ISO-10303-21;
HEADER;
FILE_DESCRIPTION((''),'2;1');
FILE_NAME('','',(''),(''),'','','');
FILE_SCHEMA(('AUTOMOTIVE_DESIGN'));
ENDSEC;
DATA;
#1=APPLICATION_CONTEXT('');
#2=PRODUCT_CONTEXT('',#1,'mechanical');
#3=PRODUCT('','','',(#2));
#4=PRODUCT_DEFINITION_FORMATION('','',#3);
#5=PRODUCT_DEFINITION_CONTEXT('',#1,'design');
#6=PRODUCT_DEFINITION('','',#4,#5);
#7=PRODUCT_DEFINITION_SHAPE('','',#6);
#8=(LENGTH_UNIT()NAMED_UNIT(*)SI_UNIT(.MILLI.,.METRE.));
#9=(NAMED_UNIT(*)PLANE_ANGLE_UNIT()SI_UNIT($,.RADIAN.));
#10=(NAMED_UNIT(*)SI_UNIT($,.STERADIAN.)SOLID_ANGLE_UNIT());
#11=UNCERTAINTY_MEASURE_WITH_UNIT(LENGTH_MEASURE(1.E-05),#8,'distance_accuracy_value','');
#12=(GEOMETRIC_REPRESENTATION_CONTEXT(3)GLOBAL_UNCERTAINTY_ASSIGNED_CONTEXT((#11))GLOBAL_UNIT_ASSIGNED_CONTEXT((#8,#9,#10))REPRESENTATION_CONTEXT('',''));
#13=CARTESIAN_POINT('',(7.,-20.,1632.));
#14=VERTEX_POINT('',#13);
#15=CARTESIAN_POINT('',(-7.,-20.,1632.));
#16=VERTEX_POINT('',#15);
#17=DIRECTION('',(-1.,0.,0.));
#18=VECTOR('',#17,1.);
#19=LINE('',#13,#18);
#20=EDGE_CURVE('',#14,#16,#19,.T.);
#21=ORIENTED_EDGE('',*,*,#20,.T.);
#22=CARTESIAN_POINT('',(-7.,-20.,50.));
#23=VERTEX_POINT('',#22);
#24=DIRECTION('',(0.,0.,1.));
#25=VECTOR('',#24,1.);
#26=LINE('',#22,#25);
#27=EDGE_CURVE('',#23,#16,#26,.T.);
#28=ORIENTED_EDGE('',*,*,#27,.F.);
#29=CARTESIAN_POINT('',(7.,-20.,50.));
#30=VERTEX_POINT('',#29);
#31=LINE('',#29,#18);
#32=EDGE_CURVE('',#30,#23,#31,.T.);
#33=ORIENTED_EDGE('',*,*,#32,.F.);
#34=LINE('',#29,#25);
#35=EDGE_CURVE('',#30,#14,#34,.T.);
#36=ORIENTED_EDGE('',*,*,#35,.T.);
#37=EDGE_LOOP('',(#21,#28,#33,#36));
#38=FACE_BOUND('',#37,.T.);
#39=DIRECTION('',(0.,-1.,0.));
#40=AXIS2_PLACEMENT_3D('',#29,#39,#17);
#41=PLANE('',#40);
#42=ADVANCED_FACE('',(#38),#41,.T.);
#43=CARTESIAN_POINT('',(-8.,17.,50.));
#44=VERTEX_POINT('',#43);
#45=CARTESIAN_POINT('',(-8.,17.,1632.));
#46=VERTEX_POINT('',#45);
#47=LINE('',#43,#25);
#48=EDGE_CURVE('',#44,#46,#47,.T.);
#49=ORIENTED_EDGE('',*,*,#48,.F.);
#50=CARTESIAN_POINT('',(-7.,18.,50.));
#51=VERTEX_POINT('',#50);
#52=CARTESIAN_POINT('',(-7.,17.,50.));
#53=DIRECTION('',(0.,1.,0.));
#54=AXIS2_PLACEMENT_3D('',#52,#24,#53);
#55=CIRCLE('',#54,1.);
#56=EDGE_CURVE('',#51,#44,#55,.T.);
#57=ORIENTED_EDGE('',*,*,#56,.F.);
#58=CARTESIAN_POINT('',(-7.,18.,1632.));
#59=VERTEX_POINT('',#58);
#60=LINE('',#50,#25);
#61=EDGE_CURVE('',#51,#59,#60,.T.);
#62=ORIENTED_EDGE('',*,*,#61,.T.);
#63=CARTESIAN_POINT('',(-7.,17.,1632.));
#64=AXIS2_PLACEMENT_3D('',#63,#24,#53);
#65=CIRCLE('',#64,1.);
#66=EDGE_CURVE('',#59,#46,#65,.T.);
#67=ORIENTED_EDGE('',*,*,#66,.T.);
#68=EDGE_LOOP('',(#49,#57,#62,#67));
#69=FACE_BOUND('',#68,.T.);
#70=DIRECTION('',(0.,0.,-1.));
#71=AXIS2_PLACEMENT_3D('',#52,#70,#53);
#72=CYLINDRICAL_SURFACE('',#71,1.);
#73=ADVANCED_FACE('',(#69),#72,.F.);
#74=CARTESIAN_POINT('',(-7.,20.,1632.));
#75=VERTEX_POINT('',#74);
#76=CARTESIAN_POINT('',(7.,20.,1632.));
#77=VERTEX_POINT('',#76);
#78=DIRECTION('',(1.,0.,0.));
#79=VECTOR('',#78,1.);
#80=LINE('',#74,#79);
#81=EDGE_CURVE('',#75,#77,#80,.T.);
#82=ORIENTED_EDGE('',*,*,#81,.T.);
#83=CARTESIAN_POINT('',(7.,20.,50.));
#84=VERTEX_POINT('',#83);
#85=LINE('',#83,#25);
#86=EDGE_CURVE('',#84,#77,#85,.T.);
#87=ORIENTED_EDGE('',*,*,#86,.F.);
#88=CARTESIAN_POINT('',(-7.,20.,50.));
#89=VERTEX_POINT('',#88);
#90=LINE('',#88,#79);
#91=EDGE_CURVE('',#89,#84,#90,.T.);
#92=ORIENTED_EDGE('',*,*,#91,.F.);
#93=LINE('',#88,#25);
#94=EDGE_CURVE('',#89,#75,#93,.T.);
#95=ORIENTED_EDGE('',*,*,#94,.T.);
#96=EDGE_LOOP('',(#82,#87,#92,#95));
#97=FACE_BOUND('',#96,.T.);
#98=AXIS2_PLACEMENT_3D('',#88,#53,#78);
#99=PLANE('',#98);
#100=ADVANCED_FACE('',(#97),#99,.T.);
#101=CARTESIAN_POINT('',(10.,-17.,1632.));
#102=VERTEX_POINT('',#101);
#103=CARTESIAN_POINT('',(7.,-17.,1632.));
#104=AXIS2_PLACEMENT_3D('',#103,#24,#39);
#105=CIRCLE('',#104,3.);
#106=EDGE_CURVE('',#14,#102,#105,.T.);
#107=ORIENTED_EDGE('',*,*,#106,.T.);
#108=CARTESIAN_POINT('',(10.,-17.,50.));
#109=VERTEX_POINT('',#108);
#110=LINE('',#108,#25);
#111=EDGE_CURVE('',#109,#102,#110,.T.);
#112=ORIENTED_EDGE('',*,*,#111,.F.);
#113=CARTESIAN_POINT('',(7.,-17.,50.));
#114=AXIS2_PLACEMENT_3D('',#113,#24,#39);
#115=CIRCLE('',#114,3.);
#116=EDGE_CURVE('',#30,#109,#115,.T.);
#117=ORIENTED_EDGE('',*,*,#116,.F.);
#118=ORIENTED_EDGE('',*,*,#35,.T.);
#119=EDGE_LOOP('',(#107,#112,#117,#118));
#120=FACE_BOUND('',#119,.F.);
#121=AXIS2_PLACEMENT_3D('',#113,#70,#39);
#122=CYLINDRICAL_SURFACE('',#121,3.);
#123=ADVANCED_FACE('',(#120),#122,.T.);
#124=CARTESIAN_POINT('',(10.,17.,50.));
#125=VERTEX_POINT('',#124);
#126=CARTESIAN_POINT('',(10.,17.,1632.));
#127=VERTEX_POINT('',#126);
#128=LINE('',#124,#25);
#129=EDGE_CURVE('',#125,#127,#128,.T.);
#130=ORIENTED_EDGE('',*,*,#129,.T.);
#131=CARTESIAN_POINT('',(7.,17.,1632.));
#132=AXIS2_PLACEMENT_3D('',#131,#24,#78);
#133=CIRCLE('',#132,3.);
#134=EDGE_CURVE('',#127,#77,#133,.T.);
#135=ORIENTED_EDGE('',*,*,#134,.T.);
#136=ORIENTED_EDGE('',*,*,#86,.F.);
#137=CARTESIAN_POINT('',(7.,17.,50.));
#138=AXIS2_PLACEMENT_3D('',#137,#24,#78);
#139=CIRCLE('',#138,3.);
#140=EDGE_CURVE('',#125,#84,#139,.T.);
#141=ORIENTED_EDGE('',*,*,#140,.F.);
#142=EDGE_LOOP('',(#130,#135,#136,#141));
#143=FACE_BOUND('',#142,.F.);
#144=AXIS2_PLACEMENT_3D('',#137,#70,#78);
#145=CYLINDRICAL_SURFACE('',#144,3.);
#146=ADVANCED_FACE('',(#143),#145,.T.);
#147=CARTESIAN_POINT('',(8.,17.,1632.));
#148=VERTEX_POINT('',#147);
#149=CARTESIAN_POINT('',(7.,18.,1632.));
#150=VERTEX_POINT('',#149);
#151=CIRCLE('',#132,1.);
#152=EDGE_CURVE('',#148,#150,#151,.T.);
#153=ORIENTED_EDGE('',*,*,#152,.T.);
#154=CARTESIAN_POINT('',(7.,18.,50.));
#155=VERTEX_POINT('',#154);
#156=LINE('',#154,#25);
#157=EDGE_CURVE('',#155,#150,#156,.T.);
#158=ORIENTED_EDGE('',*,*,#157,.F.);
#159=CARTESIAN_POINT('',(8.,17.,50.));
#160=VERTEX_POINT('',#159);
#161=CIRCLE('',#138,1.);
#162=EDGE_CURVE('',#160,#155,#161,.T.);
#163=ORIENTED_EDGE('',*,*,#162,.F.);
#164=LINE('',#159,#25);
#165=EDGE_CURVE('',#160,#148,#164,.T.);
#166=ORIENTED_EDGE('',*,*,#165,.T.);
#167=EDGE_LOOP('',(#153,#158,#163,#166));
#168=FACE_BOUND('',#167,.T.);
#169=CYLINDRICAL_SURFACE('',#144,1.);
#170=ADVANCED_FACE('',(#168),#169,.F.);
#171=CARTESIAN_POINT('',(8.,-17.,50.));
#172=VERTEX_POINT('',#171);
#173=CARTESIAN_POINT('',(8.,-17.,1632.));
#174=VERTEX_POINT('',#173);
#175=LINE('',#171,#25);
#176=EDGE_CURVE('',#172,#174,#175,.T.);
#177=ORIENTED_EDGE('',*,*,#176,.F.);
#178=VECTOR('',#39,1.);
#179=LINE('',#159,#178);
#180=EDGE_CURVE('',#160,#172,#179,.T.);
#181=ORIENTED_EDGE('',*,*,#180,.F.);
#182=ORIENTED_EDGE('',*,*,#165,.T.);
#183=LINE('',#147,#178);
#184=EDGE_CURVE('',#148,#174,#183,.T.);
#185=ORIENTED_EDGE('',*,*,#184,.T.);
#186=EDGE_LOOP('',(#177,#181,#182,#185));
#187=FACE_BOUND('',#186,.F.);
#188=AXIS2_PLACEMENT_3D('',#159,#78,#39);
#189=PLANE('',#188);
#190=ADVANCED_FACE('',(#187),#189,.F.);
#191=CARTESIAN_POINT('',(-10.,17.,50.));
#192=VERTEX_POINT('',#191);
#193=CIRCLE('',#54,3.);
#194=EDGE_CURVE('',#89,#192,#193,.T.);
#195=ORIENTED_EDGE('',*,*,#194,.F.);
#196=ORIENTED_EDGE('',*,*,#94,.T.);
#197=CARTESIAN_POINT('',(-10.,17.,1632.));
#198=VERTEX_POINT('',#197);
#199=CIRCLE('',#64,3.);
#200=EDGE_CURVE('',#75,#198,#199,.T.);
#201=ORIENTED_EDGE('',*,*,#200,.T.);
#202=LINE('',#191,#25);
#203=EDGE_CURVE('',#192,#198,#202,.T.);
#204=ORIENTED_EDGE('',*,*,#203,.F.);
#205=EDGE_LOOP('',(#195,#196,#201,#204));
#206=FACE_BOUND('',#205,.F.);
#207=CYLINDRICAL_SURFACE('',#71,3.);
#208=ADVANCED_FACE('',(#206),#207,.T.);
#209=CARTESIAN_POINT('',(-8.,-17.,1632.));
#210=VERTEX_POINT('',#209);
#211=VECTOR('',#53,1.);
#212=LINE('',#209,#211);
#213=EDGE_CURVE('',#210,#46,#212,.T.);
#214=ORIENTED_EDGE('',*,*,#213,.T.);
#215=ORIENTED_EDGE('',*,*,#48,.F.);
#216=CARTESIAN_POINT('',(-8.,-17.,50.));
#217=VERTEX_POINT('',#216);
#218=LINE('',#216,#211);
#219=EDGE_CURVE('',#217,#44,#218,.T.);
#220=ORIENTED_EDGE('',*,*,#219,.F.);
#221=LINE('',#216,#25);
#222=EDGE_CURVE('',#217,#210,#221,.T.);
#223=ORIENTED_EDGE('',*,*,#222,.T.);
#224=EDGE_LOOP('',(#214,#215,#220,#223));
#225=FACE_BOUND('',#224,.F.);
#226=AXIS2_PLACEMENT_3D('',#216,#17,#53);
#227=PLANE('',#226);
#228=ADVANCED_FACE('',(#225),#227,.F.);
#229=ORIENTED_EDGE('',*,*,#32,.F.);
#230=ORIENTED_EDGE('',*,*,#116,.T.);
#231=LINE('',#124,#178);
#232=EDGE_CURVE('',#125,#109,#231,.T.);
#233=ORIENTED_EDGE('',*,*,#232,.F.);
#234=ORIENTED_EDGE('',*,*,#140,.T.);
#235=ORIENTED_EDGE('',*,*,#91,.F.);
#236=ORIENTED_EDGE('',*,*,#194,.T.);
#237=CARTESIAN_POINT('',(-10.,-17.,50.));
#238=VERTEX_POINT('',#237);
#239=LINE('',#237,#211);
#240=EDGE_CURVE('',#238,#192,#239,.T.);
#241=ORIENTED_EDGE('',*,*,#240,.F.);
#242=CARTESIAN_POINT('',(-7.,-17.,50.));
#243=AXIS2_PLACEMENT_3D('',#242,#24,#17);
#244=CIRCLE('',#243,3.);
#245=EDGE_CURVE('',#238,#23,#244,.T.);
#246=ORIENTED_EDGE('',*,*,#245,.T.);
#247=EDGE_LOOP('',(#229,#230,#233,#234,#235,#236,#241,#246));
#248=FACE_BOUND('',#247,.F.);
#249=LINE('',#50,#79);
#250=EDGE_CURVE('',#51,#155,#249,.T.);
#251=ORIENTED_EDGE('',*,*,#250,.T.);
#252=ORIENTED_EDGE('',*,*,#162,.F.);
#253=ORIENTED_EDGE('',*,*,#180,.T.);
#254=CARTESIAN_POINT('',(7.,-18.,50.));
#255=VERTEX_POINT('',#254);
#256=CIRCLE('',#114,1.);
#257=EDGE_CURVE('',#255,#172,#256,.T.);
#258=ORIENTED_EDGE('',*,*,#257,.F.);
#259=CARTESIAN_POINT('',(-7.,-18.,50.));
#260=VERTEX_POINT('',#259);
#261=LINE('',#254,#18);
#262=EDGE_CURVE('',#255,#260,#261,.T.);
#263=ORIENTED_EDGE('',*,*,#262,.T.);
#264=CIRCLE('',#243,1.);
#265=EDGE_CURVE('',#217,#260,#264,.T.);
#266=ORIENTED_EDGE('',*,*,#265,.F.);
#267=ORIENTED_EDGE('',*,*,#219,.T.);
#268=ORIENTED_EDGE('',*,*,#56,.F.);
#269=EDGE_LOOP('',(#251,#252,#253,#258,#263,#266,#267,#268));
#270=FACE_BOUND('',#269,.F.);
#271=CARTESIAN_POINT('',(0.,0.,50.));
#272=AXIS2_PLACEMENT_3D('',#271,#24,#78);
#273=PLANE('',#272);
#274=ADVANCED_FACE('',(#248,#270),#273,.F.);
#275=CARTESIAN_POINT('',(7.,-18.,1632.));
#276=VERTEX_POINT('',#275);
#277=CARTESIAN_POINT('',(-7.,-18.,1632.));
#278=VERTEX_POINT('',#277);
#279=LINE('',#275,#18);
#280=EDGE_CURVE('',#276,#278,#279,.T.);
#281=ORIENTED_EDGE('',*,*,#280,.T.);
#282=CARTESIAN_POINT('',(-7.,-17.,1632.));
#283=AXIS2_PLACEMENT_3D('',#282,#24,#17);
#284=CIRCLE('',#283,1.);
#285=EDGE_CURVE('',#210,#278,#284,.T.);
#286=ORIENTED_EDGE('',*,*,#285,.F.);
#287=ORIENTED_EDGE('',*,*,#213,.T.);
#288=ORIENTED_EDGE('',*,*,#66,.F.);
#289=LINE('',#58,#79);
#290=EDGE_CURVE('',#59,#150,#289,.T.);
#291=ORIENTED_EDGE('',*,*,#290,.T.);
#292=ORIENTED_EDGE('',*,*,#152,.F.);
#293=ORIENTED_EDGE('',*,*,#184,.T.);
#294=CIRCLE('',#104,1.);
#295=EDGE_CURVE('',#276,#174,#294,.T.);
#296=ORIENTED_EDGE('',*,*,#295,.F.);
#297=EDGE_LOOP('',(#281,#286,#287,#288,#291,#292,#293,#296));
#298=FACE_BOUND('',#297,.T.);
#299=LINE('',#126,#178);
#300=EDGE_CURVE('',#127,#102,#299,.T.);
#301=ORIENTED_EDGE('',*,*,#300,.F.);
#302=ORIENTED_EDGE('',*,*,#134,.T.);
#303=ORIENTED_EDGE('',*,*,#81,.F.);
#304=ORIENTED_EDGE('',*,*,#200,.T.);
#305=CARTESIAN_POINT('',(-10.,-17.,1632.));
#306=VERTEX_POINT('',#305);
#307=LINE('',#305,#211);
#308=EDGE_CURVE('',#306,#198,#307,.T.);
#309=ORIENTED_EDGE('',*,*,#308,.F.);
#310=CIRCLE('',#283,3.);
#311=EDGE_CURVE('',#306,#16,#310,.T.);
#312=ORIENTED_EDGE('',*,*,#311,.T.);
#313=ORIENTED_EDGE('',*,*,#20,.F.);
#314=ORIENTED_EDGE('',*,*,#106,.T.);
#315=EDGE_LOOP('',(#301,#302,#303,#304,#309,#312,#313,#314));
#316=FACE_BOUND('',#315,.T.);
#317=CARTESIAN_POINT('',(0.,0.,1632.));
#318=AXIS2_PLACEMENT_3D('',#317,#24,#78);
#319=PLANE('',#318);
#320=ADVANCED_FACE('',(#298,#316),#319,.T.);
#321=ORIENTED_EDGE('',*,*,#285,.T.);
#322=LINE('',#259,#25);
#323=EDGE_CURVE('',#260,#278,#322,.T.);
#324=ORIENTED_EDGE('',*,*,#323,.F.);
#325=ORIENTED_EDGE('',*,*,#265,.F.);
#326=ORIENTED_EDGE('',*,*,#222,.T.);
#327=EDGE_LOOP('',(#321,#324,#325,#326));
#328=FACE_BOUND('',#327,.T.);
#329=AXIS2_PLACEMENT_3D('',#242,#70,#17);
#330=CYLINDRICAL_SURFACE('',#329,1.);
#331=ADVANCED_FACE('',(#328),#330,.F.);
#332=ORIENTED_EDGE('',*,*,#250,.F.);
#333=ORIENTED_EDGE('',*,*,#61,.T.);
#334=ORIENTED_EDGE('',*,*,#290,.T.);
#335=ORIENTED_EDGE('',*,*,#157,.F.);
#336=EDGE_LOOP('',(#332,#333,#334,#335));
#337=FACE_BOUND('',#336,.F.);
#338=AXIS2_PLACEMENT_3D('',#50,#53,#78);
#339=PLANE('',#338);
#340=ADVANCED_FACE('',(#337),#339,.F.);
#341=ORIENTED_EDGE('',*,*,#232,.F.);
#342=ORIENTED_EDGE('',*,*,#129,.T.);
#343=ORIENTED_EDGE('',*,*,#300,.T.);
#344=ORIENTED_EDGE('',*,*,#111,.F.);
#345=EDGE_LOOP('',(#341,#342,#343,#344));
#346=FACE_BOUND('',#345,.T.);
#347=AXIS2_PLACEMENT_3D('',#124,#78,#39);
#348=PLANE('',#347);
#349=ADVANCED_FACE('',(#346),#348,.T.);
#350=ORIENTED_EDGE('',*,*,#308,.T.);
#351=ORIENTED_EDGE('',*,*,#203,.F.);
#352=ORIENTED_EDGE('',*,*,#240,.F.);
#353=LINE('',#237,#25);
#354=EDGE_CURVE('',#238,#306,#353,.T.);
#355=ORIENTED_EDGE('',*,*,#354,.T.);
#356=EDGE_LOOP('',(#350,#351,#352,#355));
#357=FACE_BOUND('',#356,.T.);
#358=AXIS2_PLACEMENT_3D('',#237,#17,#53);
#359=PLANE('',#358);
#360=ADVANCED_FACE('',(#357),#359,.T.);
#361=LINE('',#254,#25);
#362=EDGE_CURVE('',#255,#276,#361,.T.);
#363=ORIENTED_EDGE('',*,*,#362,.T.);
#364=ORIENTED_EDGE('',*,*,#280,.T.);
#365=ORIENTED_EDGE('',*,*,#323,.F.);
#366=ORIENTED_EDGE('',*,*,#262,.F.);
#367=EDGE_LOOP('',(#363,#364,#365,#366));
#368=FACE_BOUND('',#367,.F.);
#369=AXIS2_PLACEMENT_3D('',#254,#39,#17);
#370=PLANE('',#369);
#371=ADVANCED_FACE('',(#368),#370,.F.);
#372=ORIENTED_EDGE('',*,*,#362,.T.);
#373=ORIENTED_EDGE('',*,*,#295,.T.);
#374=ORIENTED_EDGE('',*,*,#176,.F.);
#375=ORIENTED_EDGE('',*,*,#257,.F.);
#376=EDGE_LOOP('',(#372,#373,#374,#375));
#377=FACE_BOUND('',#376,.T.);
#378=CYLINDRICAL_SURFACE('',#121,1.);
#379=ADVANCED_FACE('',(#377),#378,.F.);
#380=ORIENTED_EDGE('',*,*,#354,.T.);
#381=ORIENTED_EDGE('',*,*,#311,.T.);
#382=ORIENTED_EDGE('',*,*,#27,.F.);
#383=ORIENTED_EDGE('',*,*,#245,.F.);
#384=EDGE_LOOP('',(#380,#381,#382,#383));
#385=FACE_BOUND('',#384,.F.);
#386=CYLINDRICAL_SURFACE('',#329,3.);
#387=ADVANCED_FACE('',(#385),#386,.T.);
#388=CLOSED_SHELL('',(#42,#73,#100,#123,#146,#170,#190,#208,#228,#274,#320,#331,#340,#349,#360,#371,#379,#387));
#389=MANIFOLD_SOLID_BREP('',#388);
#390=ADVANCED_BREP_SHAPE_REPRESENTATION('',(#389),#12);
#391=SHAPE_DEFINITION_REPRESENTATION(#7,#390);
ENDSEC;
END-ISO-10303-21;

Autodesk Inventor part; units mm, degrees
ref_plane "Start plane" through (0, 0, 50) normal (0, 0, 1) x (1, 0, 0)
ref_plane "End plane" through (0, 0, 1632) normal (0, 0, 1) x (1, 0, 0)
sketch "Sketch" plane through (0, 0, 0) normal (0, 0, 1) x (1, 0, 0)
  line L0 (-10, -17) -> (-10, 17)
  line L1 (-7, 20) -> (7, 20)
  line L2 (10, 17) -> (10, -17)
  line L3 (7, -20) -> (-7, -20)
  arc A0 (-10, -17) -> (-7, -20) centre (-7, -17) ccw
  arc A1 (-7, 20) -> (-10, 17) centre (-7, 17) ccw
  arc A2 (10, 17) -> (7, 20) centre (7, 17) ccw
  arc A3 (7, -20) -> (10, -17) centre (7, -17) ccw
  arc A4 (-7, 18) -> (-8, 17) centre (-7, 17) ccw
  line L4 (-7, 18) -> (7, 18)
  arc A5 (8, 17) -> (7, 18) centre (7, 17) ccw
  line L5 (8, 17) -> (8, -17)
  arc A6 (7, -18) -> (8, -17) centre (7, -17) ccw
  line L6 (7, -18) -> (-7, -18)
  arc A7 (-8, -17) -> (-7, -18) centre (-7, -17) ccw
  line L7 (-8, -17) -> (-8, 17)
  line L8 (0, 28.8698) -> (0, -28.8698) construction
  line L9 (-14.8698, 0) -> (14.8698, 0) construction
  dimension "d7" = 3
  dimension "d10" = 40
  dimension "d11" = 20
  dimension "d12" = 2
  dimension "d15" = 20
  dimension "d16" = 10
extrude "Body" add sketch "Sketch" along normal up to surface (1582 mm away) from surface at 50
sketch "Sketch3" plane through (0, 0, 0) normal (0, 0, 1) x (1, 0, 0)
  line L0 (0, 0) -> (10, 0)
ref_plane "Work Plane3" through (0, 0, 0) normal (0, -1, 0) x (1, 0, 0)
sketch "Sketch4" plane through (0, 0, 0) normal (0, -1, 0) x (1, 0, 0)
  line L0 (-2, 50) -> (12, 50)
  line L1 (-2, 1632) -> (12, 1632)
  dimension "d18" = 1582
ref_plane "Work Plane4" through (688, -17, 1632) normal (0, 0, 1) x (1, 0, 0)
split "Split1" plane through (688, -17, 1632) removes the side toward (0, 0, 1)
ref_plane "Work Plane5" through (668, 17, 50) normal (0, 0, -1) x (-1, 0, 0)
split "Split2" plane through (668, 17, 50) removes the side toward (0, 0, -1)
equation "\"d7\" = G_IR"
equation "\"d10\" = G_H"
equation "\"d11\" = G_W"
equation "\"d12\" = G_T"
equation "\"d15\" = 0.5 * d10"
equation "\"d16\" = 0.5 * d11"
equation "\"d3\" = G_L"
equation "\"G_W\" = 20"
equation "\"G_H\" = 40"
equation "\"G_T\" = 2"
equation "\"G_IR\" = 3"
equation "\"G_L\" = d18"
equation "\"G_OFFSET_START\" = -50"
equation "\"G_OFFSET_END\" = -50"
equation "\"d13\" = -G_OFFSET_START"
equation "\"d14\" = G_OFFSET_END + B_L"
equation "\"B_L\" = 1682"
properties part number "UNI EN 10305-5 - 40 x 20 x 2  - 1582" material "Steel, Mild"
